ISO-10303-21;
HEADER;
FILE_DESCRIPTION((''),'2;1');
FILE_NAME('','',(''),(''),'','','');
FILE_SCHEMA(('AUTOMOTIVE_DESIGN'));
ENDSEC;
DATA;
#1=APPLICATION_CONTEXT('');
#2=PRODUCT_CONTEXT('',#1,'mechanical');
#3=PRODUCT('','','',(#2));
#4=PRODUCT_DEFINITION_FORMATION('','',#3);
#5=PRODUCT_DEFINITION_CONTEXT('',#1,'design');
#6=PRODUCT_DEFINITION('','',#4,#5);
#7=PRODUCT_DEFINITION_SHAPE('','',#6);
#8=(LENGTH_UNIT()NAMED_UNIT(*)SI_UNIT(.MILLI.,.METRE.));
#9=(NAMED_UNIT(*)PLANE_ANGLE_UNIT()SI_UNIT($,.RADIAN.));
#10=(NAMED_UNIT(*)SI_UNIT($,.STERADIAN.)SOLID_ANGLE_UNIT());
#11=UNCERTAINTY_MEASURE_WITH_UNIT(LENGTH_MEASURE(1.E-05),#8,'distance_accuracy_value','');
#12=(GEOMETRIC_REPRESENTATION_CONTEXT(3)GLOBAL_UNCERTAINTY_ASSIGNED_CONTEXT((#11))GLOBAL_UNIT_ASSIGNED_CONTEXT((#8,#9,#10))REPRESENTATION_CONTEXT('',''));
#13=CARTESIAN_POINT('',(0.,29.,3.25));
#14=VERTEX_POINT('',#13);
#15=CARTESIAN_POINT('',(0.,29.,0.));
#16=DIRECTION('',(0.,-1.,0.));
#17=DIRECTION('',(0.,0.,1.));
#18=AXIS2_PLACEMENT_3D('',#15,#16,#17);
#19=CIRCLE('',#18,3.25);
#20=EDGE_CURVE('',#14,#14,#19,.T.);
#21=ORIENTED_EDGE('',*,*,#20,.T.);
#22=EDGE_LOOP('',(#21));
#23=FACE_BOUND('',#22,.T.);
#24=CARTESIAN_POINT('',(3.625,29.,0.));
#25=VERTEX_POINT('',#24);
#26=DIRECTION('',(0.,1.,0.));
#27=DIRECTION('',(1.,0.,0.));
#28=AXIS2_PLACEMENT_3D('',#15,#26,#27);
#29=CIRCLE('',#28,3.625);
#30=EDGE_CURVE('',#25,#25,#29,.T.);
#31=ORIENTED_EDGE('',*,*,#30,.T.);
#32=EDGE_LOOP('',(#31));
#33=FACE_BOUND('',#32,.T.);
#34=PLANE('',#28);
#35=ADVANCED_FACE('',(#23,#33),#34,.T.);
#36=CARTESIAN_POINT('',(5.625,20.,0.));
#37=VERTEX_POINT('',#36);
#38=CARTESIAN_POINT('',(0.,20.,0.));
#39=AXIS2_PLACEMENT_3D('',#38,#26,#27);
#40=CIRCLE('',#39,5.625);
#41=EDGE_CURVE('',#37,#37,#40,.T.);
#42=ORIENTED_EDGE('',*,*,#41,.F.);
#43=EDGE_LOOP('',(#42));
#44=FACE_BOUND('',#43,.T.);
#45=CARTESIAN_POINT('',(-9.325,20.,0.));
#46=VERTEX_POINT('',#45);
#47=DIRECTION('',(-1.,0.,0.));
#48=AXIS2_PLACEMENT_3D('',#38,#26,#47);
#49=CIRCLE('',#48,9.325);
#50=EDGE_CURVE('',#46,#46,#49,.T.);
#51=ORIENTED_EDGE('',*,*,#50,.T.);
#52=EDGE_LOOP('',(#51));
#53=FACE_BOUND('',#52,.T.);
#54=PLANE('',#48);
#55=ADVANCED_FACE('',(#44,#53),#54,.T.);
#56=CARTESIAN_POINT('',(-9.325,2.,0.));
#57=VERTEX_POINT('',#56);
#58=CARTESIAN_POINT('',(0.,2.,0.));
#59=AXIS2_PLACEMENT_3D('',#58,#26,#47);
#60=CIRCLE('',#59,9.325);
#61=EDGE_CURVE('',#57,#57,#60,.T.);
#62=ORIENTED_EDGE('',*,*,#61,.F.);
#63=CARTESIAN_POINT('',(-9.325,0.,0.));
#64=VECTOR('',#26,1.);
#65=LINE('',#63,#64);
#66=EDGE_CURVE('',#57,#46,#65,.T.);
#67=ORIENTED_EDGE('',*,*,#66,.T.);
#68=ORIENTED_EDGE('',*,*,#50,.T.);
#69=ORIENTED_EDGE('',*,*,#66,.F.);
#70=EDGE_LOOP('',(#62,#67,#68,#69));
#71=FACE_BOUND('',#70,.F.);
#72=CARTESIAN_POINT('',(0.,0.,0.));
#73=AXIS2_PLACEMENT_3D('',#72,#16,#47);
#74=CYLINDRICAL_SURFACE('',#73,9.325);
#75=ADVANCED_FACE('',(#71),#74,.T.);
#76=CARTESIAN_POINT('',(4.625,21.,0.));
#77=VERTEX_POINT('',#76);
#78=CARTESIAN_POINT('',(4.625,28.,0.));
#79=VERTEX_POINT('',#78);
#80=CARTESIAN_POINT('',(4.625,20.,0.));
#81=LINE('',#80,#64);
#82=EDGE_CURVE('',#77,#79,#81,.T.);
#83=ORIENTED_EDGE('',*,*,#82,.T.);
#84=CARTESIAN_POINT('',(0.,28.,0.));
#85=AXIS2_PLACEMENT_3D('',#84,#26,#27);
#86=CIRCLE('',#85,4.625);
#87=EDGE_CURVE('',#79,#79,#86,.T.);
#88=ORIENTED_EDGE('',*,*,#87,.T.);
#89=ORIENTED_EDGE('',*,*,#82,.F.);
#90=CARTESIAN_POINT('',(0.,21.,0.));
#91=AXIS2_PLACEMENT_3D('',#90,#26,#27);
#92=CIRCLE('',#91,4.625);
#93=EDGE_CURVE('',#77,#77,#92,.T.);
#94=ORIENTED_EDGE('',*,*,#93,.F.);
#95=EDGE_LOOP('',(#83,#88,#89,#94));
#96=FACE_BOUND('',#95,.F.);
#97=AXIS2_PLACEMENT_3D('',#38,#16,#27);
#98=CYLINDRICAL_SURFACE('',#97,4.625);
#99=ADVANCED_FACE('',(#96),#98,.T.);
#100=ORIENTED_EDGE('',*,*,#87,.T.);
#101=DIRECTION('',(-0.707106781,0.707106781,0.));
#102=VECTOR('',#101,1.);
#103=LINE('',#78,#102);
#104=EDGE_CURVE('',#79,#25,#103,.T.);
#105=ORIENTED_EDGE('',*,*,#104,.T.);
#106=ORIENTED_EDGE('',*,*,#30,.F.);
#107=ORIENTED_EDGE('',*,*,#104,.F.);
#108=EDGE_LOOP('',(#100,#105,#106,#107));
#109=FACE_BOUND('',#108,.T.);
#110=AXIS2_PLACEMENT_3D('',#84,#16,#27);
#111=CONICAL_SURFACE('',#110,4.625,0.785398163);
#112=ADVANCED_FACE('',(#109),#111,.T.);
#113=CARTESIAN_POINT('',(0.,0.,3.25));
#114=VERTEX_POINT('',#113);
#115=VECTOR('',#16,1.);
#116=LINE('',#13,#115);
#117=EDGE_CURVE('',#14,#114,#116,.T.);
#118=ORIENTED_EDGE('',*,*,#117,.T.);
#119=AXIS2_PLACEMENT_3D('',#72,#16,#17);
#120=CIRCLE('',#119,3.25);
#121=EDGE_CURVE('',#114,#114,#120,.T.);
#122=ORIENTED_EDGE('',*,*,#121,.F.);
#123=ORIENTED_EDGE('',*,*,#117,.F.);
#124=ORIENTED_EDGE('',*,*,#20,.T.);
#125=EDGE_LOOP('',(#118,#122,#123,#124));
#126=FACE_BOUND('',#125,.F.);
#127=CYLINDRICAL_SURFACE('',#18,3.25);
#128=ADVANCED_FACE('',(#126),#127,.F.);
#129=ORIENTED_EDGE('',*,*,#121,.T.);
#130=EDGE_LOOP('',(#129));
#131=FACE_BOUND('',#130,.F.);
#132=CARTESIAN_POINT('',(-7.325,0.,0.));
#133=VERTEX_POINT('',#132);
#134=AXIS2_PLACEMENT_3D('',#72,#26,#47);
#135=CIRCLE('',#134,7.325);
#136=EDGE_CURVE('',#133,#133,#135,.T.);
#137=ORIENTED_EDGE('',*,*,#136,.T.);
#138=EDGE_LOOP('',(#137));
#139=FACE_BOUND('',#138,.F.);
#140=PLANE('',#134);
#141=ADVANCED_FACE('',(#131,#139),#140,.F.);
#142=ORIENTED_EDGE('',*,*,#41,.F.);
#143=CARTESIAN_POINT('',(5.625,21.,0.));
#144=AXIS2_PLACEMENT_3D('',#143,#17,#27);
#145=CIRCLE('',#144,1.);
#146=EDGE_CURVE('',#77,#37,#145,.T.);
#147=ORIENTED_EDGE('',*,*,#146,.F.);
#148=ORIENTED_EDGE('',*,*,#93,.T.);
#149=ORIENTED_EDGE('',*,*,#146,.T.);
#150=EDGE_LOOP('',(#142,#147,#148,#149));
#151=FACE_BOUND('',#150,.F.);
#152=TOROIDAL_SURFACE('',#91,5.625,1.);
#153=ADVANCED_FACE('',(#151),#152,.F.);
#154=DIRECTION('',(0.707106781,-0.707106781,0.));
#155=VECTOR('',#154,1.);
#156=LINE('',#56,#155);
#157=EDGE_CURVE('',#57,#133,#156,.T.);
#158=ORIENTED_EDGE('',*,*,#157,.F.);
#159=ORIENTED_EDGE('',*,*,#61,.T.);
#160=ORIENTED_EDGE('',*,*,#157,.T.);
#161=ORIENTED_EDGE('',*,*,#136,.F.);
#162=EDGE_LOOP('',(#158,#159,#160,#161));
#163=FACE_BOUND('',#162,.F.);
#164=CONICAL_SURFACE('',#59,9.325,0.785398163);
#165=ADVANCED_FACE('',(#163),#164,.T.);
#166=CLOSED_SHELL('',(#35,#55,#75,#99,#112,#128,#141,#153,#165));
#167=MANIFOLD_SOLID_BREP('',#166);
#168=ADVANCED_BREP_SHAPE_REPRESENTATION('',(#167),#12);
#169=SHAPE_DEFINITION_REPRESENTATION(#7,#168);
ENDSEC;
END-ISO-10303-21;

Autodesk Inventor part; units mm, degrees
ref_plane "YZ Plane" through (0, 0, 0) normal (1, 0, 0) x (0, 1, 0)
ref_plane "XZ Plane" through (0, 0, 0) normal (0, 1, 0) x (-1, 0, 0)
ref_plane "XY Plane" through (0, 0, 0) normal (0, 0, 1) x (1, 0, 0)
sketch "Boceto1" plane through (0, 0, 0) normal (0, 1, 0) x (-1, 0, 0)
  circle A0 centre (0, 0) radius 9.325
  dimension "d0" = 18.65
extrude "Extrusión1" add sketch "Boceto1" along normal blind 20
sketch "Boceto2" plane through (0, 20, 0) normal (0, 1, 0) x (1, 0, 0)
  circle A0 centre (0, 0) radius 4.625
  dimension "d3" = 9.25
extrude "Extrusión2" add sketch "Boceto2" along normal blind 9
sketch "Boceto3" plane through (0, 29, 0) normal (0, 1, 0) x (1, 0, 0)
  circle A0 centre (0, 0) radius 4.625 projected
hole "Agujero1" at (0, 29, 0) direction (0, -1, 0) diameter 6.5 end through all
chamfer "Chaflán1" distance 2 angle 45 1 edges at (9.325, 0, 0)
chamfer "Chaflán2" distance 1 angle 45 1 edges at (-4.625, 29, 0)
fillet "Empalme1" radius 1 1 edges at (-4.625, 20, 0)
equation "\"d30\" = 0.125 * Sketch4_Pitch"
equation "\"Sketch4_Pitch\" = 1.5"
equation "\"d32\" = 60deg"
properties part number "OutputFile"
